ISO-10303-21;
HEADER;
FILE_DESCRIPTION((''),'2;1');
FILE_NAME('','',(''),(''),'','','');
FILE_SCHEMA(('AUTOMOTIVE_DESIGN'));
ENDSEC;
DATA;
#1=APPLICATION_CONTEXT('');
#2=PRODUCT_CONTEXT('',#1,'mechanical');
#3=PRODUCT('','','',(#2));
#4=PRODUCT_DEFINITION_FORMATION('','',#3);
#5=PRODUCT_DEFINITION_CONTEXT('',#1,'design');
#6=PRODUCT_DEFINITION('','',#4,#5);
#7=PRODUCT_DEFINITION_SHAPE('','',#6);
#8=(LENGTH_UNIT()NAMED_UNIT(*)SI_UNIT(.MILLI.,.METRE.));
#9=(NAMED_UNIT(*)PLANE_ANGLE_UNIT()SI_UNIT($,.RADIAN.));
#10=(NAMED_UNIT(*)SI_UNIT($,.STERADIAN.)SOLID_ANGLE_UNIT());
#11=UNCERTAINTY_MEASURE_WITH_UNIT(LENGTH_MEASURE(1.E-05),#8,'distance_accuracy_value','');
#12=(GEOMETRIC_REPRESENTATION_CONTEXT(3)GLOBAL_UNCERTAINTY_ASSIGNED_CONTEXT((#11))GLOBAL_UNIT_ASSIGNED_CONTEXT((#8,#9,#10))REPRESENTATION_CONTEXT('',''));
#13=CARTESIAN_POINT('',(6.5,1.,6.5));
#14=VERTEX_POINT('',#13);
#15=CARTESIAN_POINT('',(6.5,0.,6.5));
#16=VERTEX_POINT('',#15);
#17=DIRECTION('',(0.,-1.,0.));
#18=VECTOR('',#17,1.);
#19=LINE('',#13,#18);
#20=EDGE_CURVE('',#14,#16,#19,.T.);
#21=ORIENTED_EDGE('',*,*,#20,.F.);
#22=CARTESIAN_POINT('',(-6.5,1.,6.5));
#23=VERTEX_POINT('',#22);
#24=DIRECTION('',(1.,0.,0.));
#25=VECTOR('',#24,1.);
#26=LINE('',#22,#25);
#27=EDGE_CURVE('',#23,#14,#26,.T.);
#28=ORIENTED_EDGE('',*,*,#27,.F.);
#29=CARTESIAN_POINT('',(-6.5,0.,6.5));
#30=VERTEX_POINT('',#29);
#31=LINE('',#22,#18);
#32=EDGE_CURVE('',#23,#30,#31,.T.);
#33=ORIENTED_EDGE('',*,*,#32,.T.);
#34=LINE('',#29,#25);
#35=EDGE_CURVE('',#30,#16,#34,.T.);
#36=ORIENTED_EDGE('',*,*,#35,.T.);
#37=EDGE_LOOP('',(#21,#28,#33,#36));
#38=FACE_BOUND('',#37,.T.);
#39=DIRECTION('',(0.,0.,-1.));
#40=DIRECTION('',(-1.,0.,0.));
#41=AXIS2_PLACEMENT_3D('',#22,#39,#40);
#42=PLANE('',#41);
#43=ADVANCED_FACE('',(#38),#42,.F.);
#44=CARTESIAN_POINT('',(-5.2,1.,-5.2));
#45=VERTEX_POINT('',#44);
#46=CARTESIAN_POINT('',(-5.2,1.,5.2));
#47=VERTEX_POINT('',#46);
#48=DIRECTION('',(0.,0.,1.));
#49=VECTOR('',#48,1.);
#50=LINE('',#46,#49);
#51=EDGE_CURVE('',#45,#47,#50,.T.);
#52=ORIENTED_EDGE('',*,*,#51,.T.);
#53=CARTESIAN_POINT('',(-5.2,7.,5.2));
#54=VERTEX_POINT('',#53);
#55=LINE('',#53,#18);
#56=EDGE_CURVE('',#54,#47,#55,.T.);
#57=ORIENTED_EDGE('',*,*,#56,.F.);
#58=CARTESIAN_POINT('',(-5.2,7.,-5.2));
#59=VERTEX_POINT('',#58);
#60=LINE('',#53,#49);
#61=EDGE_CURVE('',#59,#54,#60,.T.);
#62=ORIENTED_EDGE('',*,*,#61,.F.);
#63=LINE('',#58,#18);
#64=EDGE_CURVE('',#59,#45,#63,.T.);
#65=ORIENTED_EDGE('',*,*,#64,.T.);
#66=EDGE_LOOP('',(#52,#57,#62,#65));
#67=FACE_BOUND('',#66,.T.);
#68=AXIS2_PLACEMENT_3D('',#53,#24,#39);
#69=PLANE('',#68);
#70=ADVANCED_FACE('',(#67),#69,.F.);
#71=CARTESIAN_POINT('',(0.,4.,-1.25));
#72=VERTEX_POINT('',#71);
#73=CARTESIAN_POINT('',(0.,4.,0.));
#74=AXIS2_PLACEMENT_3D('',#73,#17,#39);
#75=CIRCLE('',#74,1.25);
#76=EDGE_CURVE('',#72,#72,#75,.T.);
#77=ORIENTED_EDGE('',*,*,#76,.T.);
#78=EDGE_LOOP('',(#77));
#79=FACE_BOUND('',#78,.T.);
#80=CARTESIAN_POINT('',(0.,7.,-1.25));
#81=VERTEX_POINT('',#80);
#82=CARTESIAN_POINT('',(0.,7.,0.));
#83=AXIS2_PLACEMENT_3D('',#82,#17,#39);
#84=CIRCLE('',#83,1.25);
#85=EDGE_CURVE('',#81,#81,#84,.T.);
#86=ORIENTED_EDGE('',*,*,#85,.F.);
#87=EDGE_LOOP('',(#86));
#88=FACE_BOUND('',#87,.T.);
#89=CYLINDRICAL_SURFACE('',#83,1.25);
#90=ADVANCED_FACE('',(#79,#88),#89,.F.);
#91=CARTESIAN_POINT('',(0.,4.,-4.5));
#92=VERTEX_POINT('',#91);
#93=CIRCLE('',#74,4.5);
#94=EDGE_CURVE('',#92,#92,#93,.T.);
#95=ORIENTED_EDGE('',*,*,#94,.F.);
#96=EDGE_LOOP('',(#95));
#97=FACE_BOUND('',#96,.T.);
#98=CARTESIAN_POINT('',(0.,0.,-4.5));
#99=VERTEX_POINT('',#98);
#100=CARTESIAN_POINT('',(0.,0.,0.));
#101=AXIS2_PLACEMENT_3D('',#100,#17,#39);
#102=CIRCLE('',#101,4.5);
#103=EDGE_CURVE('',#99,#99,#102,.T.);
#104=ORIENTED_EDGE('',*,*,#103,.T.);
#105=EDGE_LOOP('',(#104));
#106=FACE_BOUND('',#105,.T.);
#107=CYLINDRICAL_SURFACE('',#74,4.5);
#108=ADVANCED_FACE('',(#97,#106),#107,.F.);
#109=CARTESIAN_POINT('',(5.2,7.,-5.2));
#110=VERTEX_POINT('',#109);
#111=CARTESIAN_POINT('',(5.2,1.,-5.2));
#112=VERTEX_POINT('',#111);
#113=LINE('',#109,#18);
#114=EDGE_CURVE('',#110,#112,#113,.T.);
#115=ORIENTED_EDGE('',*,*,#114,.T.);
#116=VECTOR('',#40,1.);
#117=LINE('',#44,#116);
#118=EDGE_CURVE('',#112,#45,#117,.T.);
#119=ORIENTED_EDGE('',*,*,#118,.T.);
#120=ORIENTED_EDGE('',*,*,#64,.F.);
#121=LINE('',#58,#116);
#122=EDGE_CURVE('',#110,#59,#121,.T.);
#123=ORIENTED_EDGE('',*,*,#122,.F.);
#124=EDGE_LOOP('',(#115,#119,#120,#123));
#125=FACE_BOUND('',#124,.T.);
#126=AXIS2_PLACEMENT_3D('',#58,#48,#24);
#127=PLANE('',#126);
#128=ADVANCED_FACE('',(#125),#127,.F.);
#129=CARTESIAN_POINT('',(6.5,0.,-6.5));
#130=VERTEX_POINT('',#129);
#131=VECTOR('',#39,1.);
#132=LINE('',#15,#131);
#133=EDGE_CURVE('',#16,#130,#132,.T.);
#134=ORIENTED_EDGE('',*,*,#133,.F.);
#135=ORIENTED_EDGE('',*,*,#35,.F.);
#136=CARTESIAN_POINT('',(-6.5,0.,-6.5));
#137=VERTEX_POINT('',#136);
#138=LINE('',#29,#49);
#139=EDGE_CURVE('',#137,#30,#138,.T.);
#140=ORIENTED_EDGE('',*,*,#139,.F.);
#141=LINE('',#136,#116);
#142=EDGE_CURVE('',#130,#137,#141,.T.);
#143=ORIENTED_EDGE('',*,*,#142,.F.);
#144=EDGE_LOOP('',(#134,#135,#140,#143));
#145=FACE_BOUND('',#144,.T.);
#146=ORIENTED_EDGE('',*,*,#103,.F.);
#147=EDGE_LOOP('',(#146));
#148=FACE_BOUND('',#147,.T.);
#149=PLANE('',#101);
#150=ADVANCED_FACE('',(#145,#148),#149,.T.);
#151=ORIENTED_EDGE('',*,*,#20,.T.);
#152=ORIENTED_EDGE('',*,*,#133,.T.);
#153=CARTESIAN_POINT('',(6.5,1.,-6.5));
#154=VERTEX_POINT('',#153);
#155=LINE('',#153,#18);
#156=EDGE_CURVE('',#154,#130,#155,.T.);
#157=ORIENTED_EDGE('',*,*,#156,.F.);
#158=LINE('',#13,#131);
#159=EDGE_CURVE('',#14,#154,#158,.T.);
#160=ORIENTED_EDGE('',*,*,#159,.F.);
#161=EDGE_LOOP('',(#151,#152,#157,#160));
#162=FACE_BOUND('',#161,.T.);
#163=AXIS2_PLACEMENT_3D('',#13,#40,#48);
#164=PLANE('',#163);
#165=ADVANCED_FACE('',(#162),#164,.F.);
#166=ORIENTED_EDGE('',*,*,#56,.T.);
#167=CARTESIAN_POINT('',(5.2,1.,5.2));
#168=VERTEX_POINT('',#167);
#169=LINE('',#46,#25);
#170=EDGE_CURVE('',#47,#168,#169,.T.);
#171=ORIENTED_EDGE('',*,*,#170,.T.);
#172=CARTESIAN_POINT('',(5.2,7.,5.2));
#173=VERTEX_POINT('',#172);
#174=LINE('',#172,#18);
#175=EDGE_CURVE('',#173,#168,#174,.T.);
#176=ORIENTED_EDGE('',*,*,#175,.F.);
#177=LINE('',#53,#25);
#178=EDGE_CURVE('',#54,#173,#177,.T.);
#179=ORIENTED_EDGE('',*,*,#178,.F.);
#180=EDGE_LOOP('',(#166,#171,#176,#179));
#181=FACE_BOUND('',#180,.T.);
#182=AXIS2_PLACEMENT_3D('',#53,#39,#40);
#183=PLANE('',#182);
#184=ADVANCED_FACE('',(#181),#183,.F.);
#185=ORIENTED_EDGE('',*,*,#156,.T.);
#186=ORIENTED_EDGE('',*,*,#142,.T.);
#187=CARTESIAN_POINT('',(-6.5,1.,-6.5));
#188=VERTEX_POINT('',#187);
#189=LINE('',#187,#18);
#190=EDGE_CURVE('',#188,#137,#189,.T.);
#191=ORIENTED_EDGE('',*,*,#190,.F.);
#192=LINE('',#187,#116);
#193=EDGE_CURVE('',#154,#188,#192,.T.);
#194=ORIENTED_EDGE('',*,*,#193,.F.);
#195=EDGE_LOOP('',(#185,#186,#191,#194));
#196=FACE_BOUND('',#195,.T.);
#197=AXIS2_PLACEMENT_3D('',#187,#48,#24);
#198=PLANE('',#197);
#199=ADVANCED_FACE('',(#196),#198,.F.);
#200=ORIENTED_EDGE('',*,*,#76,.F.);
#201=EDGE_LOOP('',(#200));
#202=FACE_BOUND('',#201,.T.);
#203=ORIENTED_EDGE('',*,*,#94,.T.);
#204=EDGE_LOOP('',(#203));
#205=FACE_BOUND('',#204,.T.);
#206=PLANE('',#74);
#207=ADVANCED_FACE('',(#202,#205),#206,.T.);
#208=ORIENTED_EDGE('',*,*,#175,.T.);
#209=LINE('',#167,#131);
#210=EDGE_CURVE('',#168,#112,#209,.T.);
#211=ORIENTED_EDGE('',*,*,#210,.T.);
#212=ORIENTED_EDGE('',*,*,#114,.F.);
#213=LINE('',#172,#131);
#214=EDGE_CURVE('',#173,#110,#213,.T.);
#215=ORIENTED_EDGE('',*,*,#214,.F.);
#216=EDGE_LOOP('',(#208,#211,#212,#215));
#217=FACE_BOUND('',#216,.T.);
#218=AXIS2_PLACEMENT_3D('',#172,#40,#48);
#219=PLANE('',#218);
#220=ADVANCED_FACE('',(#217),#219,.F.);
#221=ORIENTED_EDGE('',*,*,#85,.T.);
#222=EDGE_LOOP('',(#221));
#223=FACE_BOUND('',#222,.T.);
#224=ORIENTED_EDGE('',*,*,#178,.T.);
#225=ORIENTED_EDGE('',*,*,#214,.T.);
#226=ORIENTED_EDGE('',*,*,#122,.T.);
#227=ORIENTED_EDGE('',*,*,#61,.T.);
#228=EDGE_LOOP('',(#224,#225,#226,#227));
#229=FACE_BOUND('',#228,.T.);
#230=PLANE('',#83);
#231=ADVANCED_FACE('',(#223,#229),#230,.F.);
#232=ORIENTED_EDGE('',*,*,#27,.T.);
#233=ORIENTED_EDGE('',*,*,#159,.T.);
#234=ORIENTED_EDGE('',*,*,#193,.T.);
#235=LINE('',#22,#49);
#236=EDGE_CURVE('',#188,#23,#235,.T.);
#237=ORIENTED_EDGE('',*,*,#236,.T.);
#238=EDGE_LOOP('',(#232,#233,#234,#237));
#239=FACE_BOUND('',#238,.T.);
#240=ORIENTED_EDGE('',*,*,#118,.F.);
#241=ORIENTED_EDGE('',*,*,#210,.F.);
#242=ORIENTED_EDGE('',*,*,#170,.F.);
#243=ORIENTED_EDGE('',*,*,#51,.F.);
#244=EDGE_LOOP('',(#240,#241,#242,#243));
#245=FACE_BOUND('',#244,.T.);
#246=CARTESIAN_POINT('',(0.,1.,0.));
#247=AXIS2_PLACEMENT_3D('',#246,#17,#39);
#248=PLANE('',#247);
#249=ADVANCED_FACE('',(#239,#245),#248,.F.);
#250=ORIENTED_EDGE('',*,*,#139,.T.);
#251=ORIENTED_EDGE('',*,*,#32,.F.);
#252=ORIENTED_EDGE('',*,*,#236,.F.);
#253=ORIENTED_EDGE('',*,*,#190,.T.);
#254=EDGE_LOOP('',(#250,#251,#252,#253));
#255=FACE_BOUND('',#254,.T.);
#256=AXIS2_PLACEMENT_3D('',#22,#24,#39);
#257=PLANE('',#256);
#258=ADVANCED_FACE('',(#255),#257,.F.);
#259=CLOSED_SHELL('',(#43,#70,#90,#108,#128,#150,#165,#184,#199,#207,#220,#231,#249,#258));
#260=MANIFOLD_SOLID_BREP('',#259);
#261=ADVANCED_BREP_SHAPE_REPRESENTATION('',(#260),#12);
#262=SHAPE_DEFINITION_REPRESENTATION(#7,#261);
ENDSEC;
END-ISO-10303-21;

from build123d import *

# Parameters (mm, degrees)
SKETCH1_W           = 13
SKETCH1_H           = 13
BOSS_EXTRUDE1_DEPTH = 1
SKETCH2_W           = 10.4
SKETCH2_H           = 10.4
BOSS_EXTRUDE2_DEPTH = 6
SKETCH3_R           = 4.5
CUT_EXTRUDE1_DEPTH  = 4
SKETCH4_R           = 1.25
CUT_EXTRUDE2_DEPTH  = 11.024968828


with BuildPart() as part:
    # Sketch1 → Boss-Extrude1 (new body)
    with BuildSketch(Plane(origin=(0, 0, 0), x_dir=(1, 0, 0), z_dir=(0, 1, 0))):
        Rectangle(SKETCH1_W, SKETCH1_H)
    extrude(amount=BOSS_EXTRUDE1_DEPTH)

    # Sketch2 → Boss-Extrude2 (add)
    with BuildSketch(Plane(origin=(0, 1, 0), x_dir=(1, 0, 0), z_dir=(0, 1, 0))):
        Rectangle(SKETCH2_W, SKETCH2_H)
    extrude(amount=BOSS_EXTRUDE2_DEPTH)

    # Sketch3 → Cut-Extrude1 (cut)
    with BuildSketch(Plane.XZ):
        with Locations(Location((0, 0, 0), (0, 0, 270))):
            Circle(SKETCH3_R)
    extrude(amount=-CUT_EXTRUDE1_DEPTH, mode=Mode.SUBTRACT)

    # Sketch4 → Cut-Extrude2 (cut, through all)
    with BuildSketch(Plane.XZ.offset(-4)):
        with Locations(Location((0, 0, 0), (0, 0, 270))):
            Circle(SKETCH4_R)
    extrude(amount=-CUT_EXTRUDE2_DEPTH, mode=Mode.SUBTRACT)


solid = part.part
